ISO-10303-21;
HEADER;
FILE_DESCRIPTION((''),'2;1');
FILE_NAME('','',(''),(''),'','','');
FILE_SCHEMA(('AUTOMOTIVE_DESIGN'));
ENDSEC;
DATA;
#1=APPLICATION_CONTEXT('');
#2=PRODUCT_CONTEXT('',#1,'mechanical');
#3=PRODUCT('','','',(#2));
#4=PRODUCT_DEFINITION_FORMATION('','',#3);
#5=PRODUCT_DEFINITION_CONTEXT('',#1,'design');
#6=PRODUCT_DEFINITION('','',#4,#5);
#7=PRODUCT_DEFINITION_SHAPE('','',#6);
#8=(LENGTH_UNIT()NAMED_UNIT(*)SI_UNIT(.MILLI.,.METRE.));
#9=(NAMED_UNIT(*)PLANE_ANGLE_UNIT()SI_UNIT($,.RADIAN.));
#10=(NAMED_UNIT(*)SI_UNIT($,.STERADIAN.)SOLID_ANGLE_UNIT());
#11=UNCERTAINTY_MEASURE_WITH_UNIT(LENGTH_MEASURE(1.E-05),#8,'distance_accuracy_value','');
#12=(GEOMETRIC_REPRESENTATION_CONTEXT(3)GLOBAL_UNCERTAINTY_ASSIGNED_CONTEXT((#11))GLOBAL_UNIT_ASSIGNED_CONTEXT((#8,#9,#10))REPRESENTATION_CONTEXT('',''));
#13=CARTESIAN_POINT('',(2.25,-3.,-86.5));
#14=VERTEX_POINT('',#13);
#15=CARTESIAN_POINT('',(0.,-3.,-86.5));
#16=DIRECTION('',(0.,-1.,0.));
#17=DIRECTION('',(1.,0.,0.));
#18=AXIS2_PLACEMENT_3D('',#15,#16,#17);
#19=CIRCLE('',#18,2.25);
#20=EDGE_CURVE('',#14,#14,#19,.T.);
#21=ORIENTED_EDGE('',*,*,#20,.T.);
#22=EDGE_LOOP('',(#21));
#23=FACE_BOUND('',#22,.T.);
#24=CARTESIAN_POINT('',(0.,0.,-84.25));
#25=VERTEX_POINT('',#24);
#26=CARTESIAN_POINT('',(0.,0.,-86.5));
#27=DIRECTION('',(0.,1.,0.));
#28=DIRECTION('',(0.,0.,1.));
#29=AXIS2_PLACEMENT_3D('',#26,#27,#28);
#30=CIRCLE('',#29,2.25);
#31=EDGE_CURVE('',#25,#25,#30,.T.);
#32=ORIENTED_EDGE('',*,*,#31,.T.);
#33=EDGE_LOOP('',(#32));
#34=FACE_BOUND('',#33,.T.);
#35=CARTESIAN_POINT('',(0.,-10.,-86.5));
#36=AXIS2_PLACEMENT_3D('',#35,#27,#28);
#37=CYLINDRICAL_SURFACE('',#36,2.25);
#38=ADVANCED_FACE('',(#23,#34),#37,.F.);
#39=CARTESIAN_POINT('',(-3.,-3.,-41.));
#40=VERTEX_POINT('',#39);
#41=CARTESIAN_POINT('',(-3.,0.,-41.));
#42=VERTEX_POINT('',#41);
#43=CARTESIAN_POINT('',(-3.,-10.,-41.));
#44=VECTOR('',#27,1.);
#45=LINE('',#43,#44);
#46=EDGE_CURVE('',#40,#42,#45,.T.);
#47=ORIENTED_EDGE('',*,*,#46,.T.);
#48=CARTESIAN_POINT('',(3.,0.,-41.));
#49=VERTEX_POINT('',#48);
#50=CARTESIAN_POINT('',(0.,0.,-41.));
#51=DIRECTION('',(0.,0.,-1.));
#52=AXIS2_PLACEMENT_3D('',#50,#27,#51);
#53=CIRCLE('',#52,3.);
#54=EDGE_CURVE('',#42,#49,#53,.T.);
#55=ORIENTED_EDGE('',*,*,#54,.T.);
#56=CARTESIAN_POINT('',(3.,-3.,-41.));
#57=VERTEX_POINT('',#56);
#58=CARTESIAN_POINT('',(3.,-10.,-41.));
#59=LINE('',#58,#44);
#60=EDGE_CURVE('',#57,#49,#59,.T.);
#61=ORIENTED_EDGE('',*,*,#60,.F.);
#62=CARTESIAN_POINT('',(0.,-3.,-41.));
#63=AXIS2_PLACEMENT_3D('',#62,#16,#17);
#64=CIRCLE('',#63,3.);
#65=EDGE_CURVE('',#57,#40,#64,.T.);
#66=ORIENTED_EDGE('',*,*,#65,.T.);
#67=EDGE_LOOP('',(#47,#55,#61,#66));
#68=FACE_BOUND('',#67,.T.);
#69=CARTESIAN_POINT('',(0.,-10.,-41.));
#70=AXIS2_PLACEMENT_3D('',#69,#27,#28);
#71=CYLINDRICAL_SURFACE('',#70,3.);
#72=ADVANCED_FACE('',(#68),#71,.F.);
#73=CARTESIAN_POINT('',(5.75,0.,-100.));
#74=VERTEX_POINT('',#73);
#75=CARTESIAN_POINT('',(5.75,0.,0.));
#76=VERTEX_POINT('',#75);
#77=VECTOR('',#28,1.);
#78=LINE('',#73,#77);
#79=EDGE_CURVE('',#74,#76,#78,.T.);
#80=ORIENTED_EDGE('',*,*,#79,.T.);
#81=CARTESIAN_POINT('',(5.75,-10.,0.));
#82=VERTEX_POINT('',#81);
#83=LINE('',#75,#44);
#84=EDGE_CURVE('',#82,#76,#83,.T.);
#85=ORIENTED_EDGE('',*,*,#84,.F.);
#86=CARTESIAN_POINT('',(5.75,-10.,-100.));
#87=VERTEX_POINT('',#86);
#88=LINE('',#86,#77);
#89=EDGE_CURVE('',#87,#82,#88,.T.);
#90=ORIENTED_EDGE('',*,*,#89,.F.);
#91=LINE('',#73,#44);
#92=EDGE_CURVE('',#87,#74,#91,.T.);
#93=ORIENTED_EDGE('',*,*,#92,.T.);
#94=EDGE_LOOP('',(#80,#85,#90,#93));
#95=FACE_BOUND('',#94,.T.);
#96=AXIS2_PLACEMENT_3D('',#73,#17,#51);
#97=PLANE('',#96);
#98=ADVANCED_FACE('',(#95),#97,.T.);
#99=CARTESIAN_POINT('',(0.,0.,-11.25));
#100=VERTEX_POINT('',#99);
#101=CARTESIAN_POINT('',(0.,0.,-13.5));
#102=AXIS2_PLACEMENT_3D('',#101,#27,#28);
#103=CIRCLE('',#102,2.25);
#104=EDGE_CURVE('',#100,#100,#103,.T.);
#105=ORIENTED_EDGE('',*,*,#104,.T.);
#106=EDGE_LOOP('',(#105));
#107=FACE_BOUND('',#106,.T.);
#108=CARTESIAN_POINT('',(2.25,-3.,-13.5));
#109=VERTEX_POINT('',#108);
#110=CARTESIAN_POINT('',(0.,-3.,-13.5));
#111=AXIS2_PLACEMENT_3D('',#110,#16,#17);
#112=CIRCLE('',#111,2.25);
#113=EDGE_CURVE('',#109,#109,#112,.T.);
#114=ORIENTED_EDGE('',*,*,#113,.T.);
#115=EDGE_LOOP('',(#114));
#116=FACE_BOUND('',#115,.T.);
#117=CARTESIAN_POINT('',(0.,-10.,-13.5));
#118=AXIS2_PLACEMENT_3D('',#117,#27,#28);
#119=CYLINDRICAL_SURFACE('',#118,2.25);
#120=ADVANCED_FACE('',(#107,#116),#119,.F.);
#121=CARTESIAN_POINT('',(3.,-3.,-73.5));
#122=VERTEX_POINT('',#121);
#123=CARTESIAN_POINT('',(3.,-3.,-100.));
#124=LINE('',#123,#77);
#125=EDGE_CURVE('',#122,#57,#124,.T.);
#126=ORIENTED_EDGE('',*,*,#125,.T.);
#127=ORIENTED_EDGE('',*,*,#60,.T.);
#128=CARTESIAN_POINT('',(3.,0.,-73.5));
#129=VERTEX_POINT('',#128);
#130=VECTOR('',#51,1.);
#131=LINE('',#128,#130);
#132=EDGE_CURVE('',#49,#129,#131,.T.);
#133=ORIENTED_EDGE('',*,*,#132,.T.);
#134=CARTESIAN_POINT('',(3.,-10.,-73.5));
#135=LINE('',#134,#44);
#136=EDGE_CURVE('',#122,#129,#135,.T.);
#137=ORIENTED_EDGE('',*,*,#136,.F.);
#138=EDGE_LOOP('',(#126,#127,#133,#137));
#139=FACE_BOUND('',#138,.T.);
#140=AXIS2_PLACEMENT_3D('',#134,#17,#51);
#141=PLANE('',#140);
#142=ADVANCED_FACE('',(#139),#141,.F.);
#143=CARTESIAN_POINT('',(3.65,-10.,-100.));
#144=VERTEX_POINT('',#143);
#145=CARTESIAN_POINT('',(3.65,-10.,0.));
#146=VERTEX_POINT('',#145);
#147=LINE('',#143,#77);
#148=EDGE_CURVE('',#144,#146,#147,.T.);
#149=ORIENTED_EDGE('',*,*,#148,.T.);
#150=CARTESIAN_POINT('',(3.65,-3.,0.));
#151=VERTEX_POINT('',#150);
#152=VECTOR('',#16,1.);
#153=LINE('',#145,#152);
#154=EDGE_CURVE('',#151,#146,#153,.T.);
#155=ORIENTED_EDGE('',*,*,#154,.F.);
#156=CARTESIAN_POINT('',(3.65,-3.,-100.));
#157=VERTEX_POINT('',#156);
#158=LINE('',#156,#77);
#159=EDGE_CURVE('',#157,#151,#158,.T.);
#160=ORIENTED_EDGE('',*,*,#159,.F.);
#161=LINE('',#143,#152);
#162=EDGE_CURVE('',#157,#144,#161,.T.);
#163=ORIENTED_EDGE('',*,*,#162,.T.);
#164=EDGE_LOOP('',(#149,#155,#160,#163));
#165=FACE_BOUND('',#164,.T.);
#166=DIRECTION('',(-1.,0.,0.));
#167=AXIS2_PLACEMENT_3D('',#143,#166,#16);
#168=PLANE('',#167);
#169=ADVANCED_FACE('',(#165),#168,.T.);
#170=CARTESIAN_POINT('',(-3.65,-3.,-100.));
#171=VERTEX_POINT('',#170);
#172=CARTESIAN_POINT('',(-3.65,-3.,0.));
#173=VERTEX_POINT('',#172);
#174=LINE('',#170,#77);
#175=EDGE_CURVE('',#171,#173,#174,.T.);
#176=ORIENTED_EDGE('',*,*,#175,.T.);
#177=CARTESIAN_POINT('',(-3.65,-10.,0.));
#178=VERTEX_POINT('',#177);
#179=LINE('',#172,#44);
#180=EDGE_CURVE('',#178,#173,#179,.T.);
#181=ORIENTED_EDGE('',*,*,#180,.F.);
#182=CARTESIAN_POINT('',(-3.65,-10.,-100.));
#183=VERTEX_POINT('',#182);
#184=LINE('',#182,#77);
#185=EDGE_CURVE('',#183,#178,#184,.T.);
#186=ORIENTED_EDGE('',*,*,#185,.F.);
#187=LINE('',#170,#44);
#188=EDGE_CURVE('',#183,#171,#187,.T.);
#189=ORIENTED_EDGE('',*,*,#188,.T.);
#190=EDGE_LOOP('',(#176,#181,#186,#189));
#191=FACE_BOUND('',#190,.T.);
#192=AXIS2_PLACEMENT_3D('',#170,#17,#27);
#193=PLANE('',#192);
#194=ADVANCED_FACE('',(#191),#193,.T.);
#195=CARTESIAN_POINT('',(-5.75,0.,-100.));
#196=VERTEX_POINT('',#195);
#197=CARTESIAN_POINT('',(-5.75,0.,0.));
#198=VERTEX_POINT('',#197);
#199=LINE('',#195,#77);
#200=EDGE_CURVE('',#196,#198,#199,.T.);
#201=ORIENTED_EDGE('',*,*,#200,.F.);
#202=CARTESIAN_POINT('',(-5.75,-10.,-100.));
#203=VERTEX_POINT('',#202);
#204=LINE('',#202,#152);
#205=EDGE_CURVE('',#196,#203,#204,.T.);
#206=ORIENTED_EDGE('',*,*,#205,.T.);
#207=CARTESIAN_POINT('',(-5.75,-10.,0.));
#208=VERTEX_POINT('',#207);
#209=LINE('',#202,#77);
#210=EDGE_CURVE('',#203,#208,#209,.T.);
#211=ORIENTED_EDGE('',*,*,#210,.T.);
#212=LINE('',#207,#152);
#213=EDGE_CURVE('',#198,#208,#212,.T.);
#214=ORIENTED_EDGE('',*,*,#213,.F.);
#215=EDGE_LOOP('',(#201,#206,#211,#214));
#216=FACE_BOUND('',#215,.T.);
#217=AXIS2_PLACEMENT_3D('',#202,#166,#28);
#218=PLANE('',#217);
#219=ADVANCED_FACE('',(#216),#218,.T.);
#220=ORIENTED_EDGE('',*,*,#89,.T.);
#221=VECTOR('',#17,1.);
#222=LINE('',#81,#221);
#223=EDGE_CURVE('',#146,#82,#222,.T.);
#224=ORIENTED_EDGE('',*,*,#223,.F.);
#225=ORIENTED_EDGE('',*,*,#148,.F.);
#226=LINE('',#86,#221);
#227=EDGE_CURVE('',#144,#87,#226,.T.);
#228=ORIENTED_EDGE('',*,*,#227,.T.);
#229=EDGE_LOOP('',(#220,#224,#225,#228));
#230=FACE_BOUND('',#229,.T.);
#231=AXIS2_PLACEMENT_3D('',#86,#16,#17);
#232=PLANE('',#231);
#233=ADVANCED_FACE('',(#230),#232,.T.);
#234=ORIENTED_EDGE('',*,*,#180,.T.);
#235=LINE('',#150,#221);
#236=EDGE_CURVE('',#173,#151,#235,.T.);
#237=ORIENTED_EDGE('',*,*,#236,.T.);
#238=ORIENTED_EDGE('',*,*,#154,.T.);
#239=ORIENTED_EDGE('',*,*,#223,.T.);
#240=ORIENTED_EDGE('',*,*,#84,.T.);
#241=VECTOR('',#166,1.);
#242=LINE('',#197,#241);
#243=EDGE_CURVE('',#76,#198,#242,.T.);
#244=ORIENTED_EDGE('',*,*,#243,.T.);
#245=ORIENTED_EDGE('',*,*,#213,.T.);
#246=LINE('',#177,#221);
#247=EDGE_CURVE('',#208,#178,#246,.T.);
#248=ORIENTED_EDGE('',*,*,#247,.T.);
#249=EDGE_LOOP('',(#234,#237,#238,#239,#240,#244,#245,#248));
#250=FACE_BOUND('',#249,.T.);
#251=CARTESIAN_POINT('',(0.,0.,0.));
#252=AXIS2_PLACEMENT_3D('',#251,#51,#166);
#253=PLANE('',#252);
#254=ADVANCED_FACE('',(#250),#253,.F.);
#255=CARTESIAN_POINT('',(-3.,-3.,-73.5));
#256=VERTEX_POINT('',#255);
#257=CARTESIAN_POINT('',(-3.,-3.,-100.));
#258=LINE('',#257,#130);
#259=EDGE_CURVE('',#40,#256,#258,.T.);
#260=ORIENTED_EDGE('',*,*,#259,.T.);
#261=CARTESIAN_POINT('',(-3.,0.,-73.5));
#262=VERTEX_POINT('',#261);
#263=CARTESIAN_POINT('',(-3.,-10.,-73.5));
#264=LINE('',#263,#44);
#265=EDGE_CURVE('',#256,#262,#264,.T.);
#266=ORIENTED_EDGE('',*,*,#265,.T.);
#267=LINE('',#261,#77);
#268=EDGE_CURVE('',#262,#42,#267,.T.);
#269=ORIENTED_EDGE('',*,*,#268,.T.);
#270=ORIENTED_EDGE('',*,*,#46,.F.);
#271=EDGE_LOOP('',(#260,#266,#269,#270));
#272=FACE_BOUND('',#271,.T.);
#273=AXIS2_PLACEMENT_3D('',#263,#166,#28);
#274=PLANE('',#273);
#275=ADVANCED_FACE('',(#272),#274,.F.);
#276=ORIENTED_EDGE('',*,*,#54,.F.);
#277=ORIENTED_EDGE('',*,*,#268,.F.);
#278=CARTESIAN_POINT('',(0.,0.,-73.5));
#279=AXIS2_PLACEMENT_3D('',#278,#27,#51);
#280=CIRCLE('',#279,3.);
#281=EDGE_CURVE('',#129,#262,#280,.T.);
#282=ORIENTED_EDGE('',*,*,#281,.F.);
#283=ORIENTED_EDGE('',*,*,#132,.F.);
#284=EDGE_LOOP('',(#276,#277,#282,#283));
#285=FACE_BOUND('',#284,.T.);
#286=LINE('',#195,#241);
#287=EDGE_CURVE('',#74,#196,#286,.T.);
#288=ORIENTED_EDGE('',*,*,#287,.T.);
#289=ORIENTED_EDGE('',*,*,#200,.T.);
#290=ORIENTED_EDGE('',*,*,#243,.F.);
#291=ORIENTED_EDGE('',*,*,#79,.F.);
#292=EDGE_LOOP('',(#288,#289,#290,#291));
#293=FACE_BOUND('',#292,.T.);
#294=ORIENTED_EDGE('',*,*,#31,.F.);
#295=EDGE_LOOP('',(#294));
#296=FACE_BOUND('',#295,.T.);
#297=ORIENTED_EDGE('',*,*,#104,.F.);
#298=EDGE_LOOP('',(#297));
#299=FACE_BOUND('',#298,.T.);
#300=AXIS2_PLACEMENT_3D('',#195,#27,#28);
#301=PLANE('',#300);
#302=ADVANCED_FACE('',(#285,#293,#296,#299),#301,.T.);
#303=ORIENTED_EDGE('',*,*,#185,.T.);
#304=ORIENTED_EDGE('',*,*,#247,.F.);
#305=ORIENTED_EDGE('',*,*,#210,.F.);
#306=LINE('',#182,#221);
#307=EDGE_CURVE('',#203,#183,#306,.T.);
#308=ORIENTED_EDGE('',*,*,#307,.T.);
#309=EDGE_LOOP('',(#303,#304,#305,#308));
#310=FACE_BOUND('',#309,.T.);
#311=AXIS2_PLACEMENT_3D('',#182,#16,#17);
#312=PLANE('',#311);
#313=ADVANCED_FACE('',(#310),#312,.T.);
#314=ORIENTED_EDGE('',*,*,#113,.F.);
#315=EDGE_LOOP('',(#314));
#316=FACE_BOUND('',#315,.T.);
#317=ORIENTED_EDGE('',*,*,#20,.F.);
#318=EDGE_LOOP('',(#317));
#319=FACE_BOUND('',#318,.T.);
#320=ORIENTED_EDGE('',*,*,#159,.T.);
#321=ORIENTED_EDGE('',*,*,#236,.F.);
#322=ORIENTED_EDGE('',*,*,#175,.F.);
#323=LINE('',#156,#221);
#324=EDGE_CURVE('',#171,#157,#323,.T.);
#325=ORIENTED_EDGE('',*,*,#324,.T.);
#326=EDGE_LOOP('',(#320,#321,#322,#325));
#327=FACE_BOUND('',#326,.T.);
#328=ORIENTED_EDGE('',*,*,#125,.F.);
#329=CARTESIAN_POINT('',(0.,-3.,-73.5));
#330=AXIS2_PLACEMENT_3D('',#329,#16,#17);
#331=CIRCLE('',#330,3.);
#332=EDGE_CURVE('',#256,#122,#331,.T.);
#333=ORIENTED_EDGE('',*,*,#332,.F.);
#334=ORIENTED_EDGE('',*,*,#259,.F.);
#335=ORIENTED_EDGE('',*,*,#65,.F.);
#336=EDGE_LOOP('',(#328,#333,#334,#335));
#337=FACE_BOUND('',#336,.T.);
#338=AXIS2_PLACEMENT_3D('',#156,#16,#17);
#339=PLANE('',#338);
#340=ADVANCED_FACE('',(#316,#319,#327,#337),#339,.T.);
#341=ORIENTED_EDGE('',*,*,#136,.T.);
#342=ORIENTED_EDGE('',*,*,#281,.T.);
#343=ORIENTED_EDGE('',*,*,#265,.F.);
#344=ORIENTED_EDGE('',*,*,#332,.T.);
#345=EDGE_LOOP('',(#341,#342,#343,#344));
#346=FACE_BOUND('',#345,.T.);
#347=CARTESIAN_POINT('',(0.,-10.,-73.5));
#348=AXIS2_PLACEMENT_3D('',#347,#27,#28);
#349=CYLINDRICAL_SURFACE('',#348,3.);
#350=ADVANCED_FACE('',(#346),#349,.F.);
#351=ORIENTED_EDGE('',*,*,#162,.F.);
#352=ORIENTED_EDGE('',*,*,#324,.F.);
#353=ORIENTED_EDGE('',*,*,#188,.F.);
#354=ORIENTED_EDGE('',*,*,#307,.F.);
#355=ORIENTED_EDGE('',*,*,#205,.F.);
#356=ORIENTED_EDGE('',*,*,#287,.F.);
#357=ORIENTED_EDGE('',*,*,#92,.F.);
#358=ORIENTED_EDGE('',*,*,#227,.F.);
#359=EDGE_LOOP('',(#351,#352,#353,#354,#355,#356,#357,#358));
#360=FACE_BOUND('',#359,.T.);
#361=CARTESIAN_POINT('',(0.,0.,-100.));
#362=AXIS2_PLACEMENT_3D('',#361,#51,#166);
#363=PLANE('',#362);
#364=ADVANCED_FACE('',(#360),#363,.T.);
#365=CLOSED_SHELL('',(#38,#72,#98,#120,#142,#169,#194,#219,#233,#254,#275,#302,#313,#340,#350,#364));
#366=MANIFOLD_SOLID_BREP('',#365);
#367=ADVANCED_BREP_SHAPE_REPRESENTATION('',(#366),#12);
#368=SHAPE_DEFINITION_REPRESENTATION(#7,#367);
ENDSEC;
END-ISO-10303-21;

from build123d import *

# Parameters (mm, degrees)
BOSS_EXTRU_1_DEPTH      = 100
ESQUISSE2_R             = 2.25
ENL_V_MAT_EXTRU_1_DEPTH = 11


with BuildPart() as part:
    # Esquisse1 → Boss.-Extru.1 (new body)
    with BuildSketch(Plane.XY):
        Polygon((-5.75, 0), (5.75, 0), (5.75, -10), (3.65, -10), (3.65, -3), (-3.65, -3), (-3.65, -10), (-5.75, -10), align=None)
    extrude(amount=-BOSS_EXTRU_1_DEPTH)

    # Esquisse2 → Enlèv. mat.-Extru.1 (cut, through all)
    with BuildSketch(Plane(origin=(0, 0, 0), x_dir=(1, 0, 0), z_dir=(0, 1, 0))):
        with Locations(Location((0, 86.5, 0), (0, 0, 270))):  # turned: the seam where the file's is
            Circle(ESQUISSE2_R)
        with Locations(Location((0, 13.5, 0), (0, 0, 270))):  # turned: the seam where the file's is
            Circle(ESQUISSE2_R)
        with BuildLine():
            Line((-3, 73.5), (-3, 41))
            ThreePointArc((-3, 41), (0, 38), (3, 41))
            Line((3, 41), (3, 73.5))
            ThreePointArc((3, 73.5), (0, 76.5), (-3, 73.5))
        make_face()
    extrude(amount=-ENL_V_MAT_EXTRU_1_DEPTH, mode=Mode.SUBTRACT)


solid = part.part
